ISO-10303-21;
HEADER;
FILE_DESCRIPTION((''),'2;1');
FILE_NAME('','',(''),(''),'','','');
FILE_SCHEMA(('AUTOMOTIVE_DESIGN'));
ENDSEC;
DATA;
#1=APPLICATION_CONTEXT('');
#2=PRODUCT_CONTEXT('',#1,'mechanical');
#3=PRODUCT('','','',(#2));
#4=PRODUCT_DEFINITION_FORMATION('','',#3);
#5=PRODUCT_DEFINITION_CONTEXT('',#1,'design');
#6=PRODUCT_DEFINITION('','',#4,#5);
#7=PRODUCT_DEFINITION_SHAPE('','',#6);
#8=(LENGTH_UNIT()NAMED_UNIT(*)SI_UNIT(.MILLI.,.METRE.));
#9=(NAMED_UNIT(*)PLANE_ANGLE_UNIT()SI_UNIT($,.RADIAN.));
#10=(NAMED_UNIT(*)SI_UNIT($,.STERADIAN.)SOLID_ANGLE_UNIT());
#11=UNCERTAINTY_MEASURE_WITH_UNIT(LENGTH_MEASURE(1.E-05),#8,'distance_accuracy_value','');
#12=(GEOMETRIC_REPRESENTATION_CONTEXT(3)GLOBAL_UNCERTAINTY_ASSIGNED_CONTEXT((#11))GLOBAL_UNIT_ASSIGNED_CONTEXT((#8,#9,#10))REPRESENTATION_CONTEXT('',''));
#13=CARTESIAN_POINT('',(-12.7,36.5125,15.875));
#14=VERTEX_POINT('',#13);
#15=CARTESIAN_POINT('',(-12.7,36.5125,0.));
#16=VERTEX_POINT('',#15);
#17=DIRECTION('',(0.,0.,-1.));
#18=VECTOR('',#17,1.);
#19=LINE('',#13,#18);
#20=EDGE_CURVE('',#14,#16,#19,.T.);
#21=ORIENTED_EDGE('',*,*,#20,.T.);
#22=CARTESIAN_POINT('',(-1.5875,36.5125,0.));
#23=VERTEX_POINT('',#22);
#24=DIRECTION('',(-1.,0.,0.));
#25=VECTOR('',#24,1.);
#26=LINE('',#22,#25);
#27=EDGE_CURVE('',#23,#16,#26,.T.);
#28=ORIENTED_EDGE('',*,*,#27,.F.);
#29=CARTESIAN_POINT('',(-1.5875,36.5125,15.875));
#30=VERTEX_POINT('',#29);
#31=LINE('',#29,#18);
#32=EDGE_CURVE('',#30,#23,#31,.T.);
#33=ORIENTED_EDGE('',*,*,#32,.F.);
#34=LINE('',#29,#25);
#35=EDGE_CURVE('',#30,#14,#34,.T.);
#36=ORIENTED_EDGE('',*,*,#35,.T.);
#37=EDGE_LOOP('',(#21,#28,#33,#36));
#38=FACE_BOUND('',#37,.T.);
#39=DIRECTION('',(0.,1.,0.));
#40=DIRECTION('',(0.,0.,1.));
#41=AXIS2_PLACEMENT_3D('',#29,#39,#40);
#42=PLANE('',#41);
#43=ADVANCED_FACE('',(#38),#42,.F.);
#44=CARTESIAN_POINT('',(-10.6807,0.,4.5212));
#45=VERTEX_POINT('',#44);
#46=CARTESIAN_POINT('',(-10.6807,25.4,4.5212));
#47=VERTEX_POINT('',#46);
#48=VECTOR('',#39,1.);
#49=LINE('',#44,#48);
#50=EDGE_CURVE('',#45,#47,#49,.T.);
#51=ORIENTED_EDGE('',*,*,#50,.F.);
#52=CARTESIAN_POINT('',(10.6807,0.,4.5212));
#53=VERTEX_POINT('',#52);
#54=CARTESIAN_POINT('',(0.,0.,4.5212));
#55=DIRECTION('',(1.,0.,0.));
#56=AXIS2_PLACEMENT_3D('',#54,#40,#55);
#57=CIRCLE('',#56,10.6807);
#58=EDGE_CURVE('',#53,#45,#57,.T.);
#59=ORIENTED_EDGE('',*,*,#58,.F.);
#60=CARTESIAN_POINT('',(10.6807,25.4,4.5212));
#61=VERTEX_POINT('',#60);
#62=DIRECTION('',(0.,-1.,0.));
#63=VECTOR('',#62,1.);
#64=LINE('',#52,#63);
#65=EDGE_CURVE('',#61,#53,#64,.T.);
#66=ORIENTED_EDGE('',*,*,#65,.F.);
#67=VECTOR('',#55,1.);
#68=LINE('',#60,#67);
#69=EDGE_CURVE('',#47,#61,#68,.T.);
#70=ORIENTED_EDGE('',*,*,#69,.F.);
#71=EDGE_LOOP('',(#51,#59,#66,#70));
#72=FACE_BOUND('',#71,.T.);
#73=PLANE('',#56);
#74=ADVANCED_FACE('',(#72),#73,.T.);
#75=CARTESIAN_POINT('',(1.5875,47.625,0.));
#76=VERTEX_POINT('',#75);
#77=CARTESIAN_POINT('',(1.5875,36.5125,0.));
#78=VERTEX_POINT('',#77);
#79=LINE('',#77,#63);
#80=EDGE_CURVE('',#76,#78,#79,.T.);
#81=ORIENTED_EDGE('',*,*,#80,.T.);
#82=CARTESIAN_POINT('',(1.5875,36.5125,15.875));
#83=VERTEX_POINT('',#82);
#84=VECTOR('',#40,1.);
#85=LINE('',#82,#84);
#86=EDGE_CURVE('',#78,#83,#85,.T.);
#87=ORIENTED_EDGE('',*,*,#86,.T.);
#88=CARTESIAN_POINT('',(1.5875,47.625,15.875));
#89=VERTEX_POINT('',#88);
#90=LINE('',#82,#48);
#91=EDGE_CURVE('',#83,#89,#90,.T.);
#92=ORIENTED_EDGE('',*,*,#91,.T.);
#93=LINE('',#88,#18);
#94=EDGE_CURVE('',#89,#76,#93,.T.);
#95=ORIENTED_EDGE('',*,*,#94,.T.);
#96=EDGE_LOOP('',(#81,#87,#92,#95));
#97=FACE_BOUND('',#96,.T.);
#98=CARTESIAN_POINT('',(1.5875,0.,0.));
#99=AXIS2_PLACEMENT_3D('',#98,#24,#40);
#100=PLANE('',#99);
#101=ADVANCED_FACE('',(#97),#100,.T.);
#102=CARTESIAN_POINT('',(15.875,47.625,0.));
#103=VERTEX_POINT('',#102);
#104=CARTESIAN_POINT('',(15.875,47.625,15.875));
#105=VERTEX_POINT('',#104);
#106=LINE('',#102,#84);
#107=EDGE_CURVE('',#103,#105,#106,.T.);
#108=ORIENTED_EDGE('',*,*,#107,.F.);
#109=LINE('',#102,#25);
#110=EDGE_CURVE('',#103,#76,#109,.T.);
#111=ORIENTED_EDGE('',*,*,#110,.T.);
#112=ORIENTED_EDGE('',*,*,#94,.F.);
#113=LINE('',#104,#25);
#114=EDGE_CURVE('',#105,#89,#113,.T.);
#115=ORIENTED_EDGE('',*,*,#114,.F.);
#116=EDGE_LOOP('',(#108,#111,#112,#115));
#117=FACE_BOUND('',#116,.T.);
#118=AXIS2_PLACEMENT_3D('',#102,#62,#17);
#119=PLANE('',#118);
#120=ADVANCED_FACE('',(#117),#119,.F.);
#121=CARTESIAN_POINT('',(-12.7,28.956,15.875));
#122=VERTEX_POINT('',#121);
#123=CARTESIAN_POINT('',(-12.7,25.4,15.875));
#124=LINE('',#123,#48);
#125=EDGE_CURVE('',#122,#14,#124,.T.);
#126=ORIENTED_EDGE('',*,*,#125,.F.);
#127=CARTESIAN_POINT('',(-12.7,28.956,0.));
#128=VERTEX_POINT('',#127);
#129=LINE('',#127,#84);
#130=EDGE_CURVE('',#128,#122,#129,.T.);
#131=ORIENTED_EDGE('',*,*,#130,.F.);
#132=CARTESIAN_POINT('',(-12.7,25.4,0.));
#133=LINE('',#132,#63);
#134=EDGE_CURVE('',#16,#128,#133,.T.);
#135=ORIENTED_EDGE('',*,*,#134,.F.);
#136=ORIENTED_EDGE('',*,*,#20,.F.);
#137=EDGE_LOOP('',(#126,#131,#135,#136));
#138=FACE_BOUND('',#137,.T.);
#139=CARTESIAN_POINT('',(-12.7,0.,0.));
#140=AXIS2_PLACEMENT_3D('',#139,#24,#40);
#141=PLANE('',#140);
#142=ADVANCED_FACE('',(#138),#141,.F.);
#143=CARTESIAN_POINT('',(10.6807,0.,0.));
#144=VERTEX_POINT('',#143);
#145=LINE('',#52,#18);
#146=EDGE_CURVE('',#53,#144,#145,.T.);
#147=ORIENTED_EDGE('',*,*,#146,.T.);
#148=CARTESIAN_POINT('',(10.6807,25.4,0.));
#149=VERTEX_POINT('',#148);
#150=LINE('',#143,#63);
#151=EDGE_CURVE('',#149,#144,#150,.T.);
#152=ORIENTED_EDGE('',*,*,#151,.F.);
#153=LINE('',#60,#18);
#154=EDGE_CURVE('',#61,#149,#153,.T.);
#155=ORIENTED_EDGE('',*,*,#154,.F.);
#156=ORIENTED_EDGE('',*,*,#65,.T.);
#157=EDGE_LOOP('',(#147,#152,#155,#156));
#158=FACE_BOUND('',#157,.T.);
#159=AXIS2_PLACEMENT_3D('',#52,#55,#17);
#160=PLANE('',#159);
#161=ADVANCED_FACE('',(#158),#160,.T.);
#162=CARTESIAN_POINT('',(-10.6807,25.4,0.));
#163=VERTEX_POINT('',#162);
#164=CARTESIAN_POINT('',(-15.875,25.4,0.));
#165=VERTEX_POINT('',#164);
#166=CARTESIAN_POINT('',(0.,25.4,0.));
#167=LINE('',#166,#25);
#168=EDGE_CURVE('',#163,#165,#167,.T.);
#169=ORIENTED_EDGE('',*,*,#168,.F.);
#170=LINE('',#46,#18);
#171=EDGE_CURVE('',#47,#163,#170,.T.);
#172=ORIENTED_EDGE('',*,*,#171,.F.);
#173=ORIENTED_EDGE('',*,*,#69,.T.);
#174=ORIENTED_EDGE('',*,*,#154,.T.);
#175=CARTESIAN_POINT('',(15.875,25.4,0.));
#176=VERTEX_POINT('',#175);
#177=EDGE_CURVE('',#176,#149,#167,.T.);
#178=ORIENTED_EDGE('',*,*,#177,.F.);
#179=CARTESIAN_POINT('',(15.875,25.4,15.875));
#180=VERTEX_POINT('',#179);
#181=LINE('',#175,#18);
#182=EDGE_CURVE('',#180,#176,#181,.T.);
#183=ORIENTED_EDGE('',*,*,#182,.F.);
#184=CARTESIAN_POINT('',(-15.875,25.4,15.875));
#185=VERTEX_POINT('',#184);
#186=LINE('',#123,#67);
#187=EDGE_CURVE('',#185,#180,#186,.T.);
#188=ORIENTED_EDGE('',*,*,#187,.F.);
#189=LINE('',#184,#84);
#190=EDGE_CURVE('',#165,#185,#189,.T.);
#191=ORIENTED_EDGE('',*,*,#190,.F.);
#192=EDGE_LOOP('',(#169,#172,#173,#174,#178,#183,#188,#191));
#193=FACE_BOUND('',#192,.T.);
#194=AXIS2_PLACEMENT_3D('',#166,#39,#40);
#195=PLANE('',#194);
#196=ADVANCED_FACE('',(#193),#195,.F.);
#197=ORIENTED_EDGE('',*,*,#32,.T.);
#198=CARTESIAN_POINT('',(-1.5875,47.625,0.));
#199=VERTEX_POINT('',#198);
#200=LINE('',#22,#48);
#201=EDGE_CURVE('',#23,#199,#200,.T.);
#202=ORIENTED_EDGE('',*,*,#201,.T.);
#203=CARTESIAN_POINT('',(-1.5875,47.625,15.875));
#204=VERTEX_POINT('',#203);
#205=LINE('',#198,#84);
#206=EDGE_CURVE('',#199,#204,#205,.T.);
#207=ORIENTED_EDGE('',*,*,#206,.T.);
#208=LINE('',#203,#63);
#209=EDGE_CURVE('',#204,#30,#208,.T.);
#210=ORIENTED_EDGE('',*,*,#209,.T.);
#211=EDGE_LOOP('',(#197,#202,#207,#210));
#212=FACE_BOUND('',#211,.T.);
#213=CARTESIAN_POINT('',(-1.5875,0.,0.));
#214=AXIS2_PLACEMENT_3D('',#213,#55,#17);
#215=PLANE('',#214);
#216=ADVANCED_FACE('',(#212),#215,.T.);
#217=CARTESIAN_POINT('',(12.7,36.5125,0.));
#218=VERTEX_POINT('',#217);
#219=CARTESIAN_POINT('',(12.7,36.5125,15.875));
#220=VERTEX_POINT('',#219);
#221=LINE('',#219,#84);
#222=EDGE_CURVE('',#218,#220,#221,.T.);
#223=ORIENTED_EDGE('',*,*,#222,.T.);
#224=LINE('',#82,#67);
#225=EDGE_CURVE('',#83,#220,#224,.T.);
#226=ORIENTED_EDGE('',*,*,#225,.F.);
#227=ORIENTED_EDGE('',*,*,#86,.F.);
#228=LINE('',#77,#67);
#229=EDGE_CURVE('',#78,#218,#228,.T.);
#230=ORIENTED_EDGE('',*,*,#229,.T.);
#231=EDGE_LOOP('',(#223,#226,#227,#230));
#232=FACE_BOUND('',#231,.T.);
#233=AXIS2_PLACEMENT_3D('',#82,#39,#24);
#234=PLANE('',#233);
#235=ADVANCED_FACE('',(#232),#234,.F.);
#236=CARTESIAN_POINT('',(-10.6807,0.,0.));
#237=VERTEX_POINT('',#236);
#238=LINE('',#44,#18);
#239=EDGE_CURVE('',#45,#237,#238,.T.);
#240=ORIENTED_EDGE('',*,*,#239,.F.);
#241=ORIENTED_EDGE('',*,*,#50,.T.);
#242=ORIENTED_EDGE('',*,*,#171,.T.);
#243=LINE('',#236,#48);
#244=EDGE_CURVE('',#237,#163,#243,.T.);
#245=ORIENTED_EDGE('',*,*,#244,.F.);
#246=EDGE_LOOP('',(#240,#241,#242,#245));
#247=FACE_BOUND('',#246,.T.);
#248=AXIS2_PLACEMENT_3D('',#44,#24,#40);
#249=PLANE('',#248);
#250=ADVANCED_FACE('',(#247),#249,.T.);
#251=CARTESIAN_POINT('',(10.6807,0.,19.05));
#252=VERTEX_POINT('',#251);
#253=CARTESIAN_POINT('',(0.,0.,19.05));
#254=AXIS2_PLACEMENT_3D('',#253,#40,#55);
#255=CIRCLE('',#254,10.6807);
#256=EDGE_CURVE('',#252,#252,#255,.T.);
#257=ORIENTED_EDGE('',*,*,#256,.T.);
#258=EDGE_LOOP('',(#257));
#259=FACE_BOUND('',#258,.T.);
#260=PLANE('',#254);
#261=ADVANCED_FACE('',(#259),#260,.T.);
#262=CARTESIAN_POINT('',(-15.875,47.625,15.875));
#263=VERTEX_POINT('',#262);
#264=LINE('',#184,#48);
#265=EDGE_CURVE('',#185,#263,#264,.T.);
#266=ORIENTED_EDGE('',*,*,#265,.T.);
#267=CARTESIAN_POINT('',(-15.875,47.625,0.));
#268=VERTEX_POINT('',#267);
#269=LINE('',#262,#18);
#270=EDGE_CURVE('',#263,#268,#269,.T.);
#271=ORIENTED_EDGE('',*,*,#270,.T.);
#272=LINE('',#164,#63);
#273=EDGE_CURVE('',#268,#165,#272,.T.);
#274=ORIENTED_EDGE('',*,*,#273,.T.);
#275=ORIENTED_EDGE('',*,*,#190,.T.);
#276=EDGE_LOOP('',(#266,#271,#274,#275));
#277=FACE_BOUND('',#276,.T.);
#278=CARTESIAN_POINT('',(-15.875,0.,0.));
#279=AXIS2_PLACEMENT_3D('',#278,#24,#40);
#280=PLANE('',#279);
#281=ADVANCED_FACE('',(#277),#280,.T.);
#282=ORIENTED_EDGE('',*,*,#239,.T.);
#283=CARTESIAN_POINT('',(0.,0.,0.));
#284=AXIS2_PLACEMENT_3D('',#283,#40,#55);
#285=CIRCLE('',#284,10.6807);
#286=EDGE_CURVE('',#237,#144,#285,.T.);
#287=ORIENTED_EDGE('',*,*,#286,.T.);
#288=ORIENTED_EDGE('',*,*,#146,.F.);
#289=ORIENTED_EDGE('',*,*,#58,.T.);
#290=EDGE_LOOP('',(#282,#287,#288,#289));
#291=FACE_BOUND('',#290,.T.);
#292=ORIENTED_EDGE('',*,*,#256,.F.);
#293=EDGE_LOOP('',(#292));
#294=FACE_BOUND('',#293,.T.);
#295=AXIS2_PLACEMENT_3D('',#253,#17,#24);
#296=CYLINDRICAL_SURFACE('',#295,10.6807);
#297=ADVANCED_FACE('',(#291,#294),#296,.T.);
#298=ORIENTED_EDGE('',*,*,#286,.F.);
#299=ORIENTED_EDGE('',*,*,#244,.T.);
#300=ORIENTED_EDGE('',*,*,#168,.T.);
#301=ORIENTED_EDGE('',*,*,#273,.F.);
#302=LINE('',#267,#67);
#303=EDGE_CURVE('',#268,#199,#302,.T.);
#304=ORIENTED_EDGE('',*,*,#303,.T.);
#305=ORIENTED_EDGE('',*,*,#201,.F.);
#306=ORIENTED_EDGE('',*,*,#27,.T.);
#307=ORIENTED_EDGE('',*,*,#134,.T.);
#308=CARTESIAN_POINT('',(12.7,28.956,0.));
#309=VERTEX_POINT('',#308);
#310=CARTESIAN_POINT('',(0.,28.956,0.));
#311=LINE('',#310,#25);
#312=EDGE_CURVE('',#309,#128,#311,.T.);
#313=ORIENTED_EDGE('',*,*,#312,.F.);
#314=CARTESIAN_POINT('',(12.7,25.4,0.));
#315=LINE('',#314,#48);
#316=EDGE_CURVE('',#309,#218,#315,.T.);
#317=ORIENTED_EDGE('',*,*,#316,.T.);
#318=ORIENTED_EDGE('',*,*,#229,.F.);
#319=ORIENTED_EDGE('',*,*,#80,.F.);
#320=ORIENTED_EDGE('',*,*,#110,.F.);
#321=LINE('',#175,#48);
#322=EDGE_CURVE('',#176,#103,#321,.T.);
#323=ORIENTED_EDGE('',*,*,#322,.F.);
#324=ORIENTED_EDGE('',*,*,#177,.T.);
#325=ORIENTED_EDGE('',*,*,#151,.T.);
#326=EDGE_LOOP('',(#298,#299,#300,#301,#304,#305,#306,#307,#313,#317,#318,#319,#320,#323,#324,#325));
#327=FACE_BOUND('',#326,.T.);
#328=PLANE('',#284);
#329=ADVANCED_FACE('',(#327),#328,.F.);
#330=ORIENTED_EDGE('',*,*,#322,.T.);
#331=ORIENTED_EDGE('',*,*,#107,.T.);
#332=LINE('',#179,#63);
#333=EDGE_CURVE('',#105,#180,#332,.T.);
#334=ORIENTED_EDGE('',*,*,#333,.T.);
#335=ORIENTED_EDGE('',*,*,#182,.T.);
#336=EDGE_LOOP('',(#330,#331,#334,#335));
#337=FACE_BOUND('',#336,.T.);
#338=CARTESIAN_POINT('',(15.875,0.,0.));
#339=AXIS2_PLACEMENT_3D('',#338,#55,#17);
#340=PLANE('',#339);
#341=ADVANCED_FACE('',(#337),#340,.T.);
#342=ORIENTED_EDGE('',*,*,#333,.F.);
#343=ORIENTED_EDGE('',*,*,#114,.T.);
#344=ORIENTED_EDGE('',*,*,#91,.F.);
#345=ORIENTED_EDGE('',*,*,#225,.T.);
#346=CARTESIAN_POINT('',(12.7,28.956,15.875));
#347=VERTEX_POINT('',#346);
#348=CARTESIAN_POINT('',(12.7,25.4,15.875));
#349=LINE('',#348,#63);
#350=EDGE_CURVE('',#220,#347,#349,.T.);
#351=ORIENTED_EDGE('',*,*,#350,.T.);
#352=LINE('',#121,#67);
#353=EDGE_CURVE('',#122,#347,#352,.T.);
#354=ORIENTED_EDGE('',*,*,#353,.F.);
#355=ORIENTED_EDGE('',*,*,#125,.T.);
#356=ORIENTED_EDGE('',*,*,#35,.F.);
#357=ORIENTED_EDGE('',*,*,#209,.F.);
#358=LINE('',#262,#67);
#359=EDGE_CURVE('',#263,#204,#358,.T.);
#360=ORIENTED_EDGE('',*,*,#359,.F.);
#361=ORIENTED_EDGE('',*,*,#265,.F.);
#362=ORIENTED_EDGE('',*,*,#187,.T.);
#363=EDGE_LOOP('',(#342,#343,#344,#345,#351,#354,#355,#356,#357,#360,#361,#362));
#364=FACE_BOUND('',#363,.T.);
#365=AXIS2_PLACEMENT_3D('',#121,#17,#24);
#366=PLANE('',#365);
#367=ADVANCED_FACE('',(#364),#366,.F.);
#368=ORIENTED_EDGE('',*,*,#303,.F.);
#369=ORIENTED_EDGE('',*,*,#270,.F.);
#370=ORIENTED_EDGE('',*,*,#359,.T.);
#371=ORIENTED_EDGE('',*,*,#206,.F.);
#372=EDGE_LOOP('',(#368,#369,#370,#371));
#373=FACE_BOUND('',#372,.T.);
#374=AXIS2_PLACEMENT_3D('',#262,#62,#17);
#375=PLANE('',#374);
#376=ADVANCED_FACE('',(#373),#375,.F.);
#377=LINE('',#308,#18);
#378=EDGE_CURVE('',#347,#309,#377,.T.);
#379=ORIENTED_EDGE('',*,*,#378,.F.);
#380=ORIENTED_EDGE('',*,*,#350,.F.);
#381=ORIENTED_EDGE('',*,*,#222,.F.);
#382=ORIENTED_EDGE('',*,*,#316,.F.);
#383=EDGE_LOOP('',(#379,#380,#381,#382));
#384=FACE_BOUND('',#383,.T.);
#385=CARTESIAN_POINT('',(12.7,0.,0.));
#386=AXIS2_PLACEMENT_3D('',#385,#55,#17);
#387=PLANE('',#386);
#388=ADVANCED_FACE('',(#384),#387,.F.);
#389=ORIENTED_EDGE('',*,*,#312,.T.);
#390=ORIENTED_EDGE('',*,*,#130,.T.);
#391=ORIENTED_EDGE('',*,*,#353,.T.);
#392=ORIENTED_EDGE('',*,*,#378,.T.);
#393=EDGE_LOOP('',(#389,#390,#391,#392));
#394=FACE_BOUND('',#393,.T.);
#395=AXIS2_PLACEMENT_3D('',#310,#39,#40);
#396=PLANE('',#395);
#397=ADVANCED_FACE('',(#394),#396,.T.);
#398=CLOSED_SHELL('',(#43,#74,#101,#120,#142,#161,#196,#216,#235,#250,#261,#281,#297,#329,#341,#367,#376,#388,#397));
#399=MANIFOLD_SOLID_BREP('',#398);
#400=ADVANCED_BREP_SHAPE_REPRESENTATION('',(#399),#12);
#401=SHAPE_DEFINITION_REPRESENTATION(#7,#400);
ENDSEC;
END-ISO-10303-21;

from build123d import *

# Parameters (mm, degrees)
SKETCH1_R           = 10.6807
BOSS_EXTRUDE1_DEPTH = 19.05
SKETCH2_W           = 21.3614
SKETCH2_H           = 25.4
BOSS_EXTRUDE2_DEPTH = 4.5212
BOSS_EXTRUDE3_DEPTH = 3.556
SKETCH4_W           = 15.875
SKETCH4_H           = 22.225
BOSS_EXTRUDE4_DEPTH = 3.175
SKETCH5_W           = 15.875
SKETCH5_H           = 22.225
BOSS_EXTRUDE5_DEPTH = 3.175
SKETCH7_W           = 15.875
SKETCH7_H           = 11.1125
BOSS_EXTRUDE6_DEPTH = 11.1125
SKETCH8_W           = 15.875
SKETCH8_H           = 11.1125
BOSS_EXTRUDE7_DEPTH = 11.1125


with BuildPart() as part:
    # Sketch1 → Boss-Extrude1 (new body)
    with BuildSketch(Plane.XY):
        with Locations(Location((0, 0, 0), (0, 0, 180))):
            Circle(SKETCH1_R)
    extrude(amount=BOSS_EXTRUDE1_DEPTH)

    # Sketch2 → Boss-Extrude2 (add)
    with BuildSketch(Plane(origin=(0, 0, 0), x_dir=(-1, 0, 0), z_dir=(0, 0, -1))):
        with Locations((0, 12.7)):
            Rectangle(SKETCH2_W, SKETCH2_H)
    extrude(amount=-BOSS_EXTRUDE2_DEPTH)

    # Sketch3 → Boss-Extrude3 (add)
    with BuildSketch(Plane(origin=(0, 25.4, 0), x_dir=(1, 0, 0), z_dir=(0, 1, 0))):
        Polygon((0, 0), (12.7, 0), (12.7, -15.875), (-12.7, -15.875), (-12.7, 0), align=None)
    extrude(amount=BOSS_EXTRUDE3_DEPTH)

    # Sketch4 → Boss-Extrude4 (add)
    with BuildSketch(Plane(origin=(12.7, 0, 0), x_dir=(0, 0, -1), z_dir=(1, 0, 0))):
        with Locations((-7.9375, 36.5125)):
            Rectangle(SKETCH4_W, SKETCH4_H)
    extrude(amount=BOSS_EXTRUDE4_DEPTH)

    # Sketch5 → Boss-Extrude5 (add)
    with BuildSketch(Plane.ZY.offset(12.7)):
        with Locations((7.9375, 36.5125)):
            Rectangle(SKETCH5_W, SKETCH5_H)
    extrude(amount=BOSS_EXTRUDE5_DEPTH)

    # Sketch7 → Boss-Extrude6 (add)
    with BuildSketch(Plane(origin=(-12.7, 0, 0), x_dir=(0, 0, -1), z_dir=(1, 0, 0))):
        with Locations((-7.9375, 42.06875)):
            Rectangle(SKETCH7_W, SKETCH7_H)
    extrude(amount=BOSS_EXTRUDE6_DEPTH)

    # Sketch8 → Boss-Extrude7 (add)
    with BuildSketch(Plane.ZY.offset(-12.7)):
        with Locations((7.9375, 42.06875)):
            Rectangle(SKETCH8_W, SKETCH8_H)
    extrude(amount=BOSS_EXTRUDE7_DEPTH)


solid = part.part
